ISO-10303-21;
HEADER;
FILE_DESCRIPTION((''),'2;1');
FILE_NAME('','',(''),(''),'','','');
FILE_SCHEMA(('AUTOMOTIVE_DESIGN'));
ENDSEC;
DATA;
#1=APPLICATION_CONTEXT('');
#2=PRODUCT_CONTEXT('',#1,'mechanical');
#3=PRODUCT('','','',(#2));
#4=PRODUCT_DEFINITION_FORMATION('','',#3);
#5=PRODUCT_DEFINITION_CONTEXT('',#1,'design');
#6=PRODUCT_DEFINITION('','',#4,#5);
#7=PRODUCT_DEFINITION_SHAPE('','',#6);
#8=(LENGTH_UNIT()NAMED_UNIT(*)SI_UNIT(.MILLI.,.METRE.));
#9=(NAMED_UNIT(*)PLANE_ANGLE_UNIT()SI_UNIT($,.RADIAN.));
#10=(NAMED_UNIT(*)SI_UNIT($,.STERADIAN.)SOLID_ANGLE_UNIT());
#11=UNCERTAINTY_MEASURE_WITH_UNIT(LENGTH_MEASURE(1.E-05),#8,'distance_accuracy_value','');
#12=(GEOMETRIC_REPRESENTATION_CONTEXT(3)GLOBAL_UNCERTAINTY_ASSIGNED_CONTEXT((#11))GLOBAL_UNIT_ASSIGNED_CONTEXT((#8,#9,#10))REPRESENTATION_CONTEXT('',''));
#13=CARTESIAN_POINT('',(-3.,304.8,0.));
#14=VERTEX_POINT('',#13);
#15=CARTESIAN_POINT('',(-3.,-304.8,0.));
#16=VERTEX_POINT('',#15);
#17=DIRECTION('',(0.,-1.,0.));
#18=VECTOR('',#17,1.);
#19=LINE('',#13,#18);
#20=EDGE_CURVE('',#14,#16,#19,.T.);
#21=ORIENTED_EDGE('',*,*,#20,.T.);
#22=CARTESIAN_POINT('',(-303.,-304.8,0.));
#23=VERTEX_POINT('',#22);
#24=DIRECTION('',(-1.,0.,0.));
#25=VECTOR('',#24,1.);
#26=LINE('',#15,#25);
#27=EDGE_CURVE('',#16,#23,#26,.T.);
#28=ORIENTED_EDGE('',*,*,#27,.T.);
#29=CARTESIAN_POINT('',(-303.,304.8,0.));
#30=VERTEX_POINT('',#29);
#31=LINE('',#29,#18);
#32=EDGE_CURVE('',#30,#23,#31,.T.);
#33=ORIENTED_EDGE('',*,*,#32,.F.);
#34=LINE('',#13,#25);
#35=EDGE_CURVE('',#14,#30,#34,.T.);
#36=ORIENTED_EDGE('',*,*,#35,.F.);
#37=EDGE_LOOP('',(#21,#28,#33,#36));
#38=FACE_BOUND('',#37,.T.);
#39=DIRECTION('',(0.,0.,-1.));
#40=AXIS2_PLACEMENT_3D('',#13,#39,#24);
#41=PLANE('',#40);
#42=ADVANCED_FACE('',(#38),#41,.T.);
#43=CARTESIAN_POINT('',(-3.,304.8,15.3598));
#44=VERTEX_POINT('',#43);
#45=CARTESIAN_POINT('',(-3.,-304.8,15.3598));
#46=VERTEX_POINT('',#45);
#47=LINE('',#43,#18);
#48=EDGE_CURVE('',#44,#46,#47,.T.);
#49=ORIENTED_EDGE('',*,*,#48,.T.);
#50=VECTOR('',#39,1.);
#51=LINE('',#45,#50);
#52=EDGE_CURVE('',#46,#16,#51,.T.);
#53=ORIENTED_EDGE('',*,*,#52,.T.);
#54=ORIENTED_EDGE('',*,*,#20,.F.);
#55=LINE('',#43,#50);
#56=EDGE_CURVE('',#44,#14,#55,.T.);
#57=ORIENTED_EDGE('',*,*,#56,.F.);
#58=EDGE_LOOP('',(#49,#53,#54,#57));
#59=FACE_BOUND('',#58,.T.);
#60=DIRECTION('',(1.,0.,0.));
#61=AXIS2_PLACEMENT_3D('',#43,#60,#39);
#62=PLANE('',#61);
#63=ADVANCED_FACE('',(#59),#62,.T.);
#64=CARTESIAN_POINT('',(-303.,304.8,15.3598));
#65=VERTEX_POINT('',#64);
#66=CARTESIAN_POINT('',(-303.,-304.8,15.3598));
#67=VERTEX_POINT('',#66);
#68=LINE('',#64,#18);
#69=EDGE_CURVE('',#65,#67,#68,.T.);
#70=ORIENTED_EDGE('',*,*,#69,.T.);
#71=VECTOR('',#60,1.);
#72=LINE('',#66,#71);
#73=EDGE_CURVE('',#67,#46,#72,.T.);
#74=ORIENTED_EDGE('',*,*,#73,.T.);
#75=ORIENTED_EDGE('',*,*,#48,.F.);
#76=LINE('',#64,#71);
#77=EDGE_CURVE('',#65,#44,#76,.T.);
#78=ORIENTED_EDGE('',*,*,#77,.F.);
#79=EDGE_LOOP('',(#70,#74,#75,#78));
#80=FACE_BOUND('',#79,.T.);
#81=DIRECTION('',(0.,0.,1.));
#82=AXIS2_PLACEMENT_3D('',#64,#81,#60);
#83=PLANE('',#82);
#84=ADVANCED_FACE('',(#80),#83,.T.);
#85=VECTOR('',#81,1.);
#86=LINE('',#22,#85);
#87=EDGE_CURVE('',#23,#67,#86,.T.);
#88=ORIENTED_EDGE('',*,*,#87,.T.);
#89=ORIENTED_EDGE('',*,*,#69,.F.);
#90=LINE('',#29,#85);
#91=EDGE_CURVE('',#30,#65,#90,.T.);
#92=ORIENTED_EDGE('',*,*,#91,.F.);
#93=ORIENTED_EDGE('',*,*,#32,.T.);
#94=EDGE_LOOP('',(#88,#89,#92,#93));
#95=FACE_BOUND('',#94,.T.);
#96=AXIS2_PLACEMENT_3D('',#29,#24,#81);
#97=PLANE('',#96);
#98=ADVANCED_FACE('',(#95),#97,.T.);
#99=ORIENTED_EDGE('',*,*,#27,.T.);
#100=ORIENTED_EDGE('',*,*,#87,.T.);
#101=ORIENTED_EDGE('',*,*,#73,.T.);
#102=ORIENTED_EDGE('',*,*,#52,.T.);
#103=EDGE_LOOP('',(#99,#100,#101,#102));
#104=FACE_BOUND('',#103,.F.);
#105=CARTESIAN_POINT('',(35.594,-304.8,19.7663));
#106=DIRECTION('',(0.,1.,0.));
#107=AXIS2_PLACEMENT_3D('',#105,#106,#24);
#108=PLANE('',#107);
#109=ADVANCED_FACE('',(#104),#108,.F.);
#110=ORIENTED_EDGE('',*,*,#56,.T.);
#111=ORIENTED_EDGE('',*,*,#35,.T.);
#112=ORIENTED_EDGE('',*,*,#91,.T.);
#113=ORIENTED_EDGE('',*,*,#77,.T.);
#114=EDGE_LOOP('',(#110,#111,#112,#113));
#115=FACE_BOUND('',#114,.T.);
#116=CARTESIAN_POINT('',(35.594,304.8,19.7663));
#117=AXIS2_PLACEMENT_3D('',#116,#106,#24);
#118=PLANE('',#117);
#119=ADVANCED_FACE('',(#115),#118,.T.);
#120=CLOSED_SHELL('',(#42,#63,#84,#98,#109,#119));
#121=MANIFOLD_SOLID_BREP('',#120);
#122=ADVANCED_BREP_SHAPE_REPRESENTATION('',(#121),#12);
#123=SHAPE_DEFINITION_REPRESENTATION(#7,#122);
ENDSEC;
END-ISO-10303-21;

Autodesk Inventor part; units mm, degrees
ref_plane "YZ Plane" through (0, 0, 0) normal (1, 0, 0) x (0, 1, 0)
ref_plane "XZ Plane" through (0, 0, 0) normal (0, 1, 0) x (-1, 0, 0)
ref_plane "Work Plane1" through (35.594, 304.8, 19.7663) normal (0, 1, 0) x (-1, 0, 0)
sketch "Sketch1" plane through (35.594, 304.8, 19.7663) normal (0, 1, 0) x (-1, 0, 0)
  line L0 (38.594, -19.7663) -> (338.594, -19.7663)
  line L1 (338.594, -19.7663) -> (338.594, -4.4065)
  line L2 (338.594, -4.4065) -> (38.594, -4.4065)
  line L3 (38.594, -4.4065) -> (38.594, -19.7663)
  line L4 (-28.594, 8.7337) -> (-18.6905, 8.7337) projected
  line L5 (-18.6905, 8.7337) -> (-18.6905, 7.8485) projected
  spline S0 degree 4 poles (-18.6905, 7.8485) (-15.5521, 7.5495) (-7.3401, 9.7663) (-0.7334, 3.3877) (4.6646, 4.702) (6.2676, 4.9792) knots 0 0 0 0 0 0.558486 0.866888 0.866888 0.866888 0.866888 0.866888 projected
  line L6 (6.2676, 4.9792) -> (8.6213, 4.8047) projected
  line L7 (8.6213, 4.8047) -> (8.6213, 3.7665) projected
  line L8 (8.6213, 3.7665) -> (12.5268, 3.3702) projected
  spline S1 degree 2 poles (12.5268, 3.3702) (17.0414, 4.6064) (21.5535, 3.0659) knots 0 0 0 1 1 1 projected
  spline S2 degree 2 poles (21.5535, 3.0659) (24.6084, 3.7058) (28.594, 2.5935) knots 0 0 0 1 1 1 projected
  line L9 (28.594, 2.5935) -> (28.594, -4.4065) projected
  line L10 (28.594, -4.4065) -> (35.594, -4.4065) projected
  line L11 (35.594, -4.4065) -> (35.594, -19.7663) projected
  line L12 (35.594, -19.7663) -> (-139.594, -19.7663) projected
  line L13 (-139.594, -19.7663) -> (-139.594, -9.7663) projected
  line L14 (-139.594, -9.7663) -> (-28.594, -9.7663) projected
  line L15 (-28.594, -9.7663) -> (-28.594, 8.7337) projected
  point P0 (338.594, -12.0864)
  point P1 (38.594, -12.0864)
  dimension "d0" = 3
  dimension "d1" = 300
ref_plane "Work Plane2" through (0, -304.8, 0) normal (0, -1, 0) x (1, 0, 0)
extrude "Extrusion1" add sketch "Sketch1" against normal up to surface (609.6 mm away) contours L3 L2 L1 L0
properties part number "door"
